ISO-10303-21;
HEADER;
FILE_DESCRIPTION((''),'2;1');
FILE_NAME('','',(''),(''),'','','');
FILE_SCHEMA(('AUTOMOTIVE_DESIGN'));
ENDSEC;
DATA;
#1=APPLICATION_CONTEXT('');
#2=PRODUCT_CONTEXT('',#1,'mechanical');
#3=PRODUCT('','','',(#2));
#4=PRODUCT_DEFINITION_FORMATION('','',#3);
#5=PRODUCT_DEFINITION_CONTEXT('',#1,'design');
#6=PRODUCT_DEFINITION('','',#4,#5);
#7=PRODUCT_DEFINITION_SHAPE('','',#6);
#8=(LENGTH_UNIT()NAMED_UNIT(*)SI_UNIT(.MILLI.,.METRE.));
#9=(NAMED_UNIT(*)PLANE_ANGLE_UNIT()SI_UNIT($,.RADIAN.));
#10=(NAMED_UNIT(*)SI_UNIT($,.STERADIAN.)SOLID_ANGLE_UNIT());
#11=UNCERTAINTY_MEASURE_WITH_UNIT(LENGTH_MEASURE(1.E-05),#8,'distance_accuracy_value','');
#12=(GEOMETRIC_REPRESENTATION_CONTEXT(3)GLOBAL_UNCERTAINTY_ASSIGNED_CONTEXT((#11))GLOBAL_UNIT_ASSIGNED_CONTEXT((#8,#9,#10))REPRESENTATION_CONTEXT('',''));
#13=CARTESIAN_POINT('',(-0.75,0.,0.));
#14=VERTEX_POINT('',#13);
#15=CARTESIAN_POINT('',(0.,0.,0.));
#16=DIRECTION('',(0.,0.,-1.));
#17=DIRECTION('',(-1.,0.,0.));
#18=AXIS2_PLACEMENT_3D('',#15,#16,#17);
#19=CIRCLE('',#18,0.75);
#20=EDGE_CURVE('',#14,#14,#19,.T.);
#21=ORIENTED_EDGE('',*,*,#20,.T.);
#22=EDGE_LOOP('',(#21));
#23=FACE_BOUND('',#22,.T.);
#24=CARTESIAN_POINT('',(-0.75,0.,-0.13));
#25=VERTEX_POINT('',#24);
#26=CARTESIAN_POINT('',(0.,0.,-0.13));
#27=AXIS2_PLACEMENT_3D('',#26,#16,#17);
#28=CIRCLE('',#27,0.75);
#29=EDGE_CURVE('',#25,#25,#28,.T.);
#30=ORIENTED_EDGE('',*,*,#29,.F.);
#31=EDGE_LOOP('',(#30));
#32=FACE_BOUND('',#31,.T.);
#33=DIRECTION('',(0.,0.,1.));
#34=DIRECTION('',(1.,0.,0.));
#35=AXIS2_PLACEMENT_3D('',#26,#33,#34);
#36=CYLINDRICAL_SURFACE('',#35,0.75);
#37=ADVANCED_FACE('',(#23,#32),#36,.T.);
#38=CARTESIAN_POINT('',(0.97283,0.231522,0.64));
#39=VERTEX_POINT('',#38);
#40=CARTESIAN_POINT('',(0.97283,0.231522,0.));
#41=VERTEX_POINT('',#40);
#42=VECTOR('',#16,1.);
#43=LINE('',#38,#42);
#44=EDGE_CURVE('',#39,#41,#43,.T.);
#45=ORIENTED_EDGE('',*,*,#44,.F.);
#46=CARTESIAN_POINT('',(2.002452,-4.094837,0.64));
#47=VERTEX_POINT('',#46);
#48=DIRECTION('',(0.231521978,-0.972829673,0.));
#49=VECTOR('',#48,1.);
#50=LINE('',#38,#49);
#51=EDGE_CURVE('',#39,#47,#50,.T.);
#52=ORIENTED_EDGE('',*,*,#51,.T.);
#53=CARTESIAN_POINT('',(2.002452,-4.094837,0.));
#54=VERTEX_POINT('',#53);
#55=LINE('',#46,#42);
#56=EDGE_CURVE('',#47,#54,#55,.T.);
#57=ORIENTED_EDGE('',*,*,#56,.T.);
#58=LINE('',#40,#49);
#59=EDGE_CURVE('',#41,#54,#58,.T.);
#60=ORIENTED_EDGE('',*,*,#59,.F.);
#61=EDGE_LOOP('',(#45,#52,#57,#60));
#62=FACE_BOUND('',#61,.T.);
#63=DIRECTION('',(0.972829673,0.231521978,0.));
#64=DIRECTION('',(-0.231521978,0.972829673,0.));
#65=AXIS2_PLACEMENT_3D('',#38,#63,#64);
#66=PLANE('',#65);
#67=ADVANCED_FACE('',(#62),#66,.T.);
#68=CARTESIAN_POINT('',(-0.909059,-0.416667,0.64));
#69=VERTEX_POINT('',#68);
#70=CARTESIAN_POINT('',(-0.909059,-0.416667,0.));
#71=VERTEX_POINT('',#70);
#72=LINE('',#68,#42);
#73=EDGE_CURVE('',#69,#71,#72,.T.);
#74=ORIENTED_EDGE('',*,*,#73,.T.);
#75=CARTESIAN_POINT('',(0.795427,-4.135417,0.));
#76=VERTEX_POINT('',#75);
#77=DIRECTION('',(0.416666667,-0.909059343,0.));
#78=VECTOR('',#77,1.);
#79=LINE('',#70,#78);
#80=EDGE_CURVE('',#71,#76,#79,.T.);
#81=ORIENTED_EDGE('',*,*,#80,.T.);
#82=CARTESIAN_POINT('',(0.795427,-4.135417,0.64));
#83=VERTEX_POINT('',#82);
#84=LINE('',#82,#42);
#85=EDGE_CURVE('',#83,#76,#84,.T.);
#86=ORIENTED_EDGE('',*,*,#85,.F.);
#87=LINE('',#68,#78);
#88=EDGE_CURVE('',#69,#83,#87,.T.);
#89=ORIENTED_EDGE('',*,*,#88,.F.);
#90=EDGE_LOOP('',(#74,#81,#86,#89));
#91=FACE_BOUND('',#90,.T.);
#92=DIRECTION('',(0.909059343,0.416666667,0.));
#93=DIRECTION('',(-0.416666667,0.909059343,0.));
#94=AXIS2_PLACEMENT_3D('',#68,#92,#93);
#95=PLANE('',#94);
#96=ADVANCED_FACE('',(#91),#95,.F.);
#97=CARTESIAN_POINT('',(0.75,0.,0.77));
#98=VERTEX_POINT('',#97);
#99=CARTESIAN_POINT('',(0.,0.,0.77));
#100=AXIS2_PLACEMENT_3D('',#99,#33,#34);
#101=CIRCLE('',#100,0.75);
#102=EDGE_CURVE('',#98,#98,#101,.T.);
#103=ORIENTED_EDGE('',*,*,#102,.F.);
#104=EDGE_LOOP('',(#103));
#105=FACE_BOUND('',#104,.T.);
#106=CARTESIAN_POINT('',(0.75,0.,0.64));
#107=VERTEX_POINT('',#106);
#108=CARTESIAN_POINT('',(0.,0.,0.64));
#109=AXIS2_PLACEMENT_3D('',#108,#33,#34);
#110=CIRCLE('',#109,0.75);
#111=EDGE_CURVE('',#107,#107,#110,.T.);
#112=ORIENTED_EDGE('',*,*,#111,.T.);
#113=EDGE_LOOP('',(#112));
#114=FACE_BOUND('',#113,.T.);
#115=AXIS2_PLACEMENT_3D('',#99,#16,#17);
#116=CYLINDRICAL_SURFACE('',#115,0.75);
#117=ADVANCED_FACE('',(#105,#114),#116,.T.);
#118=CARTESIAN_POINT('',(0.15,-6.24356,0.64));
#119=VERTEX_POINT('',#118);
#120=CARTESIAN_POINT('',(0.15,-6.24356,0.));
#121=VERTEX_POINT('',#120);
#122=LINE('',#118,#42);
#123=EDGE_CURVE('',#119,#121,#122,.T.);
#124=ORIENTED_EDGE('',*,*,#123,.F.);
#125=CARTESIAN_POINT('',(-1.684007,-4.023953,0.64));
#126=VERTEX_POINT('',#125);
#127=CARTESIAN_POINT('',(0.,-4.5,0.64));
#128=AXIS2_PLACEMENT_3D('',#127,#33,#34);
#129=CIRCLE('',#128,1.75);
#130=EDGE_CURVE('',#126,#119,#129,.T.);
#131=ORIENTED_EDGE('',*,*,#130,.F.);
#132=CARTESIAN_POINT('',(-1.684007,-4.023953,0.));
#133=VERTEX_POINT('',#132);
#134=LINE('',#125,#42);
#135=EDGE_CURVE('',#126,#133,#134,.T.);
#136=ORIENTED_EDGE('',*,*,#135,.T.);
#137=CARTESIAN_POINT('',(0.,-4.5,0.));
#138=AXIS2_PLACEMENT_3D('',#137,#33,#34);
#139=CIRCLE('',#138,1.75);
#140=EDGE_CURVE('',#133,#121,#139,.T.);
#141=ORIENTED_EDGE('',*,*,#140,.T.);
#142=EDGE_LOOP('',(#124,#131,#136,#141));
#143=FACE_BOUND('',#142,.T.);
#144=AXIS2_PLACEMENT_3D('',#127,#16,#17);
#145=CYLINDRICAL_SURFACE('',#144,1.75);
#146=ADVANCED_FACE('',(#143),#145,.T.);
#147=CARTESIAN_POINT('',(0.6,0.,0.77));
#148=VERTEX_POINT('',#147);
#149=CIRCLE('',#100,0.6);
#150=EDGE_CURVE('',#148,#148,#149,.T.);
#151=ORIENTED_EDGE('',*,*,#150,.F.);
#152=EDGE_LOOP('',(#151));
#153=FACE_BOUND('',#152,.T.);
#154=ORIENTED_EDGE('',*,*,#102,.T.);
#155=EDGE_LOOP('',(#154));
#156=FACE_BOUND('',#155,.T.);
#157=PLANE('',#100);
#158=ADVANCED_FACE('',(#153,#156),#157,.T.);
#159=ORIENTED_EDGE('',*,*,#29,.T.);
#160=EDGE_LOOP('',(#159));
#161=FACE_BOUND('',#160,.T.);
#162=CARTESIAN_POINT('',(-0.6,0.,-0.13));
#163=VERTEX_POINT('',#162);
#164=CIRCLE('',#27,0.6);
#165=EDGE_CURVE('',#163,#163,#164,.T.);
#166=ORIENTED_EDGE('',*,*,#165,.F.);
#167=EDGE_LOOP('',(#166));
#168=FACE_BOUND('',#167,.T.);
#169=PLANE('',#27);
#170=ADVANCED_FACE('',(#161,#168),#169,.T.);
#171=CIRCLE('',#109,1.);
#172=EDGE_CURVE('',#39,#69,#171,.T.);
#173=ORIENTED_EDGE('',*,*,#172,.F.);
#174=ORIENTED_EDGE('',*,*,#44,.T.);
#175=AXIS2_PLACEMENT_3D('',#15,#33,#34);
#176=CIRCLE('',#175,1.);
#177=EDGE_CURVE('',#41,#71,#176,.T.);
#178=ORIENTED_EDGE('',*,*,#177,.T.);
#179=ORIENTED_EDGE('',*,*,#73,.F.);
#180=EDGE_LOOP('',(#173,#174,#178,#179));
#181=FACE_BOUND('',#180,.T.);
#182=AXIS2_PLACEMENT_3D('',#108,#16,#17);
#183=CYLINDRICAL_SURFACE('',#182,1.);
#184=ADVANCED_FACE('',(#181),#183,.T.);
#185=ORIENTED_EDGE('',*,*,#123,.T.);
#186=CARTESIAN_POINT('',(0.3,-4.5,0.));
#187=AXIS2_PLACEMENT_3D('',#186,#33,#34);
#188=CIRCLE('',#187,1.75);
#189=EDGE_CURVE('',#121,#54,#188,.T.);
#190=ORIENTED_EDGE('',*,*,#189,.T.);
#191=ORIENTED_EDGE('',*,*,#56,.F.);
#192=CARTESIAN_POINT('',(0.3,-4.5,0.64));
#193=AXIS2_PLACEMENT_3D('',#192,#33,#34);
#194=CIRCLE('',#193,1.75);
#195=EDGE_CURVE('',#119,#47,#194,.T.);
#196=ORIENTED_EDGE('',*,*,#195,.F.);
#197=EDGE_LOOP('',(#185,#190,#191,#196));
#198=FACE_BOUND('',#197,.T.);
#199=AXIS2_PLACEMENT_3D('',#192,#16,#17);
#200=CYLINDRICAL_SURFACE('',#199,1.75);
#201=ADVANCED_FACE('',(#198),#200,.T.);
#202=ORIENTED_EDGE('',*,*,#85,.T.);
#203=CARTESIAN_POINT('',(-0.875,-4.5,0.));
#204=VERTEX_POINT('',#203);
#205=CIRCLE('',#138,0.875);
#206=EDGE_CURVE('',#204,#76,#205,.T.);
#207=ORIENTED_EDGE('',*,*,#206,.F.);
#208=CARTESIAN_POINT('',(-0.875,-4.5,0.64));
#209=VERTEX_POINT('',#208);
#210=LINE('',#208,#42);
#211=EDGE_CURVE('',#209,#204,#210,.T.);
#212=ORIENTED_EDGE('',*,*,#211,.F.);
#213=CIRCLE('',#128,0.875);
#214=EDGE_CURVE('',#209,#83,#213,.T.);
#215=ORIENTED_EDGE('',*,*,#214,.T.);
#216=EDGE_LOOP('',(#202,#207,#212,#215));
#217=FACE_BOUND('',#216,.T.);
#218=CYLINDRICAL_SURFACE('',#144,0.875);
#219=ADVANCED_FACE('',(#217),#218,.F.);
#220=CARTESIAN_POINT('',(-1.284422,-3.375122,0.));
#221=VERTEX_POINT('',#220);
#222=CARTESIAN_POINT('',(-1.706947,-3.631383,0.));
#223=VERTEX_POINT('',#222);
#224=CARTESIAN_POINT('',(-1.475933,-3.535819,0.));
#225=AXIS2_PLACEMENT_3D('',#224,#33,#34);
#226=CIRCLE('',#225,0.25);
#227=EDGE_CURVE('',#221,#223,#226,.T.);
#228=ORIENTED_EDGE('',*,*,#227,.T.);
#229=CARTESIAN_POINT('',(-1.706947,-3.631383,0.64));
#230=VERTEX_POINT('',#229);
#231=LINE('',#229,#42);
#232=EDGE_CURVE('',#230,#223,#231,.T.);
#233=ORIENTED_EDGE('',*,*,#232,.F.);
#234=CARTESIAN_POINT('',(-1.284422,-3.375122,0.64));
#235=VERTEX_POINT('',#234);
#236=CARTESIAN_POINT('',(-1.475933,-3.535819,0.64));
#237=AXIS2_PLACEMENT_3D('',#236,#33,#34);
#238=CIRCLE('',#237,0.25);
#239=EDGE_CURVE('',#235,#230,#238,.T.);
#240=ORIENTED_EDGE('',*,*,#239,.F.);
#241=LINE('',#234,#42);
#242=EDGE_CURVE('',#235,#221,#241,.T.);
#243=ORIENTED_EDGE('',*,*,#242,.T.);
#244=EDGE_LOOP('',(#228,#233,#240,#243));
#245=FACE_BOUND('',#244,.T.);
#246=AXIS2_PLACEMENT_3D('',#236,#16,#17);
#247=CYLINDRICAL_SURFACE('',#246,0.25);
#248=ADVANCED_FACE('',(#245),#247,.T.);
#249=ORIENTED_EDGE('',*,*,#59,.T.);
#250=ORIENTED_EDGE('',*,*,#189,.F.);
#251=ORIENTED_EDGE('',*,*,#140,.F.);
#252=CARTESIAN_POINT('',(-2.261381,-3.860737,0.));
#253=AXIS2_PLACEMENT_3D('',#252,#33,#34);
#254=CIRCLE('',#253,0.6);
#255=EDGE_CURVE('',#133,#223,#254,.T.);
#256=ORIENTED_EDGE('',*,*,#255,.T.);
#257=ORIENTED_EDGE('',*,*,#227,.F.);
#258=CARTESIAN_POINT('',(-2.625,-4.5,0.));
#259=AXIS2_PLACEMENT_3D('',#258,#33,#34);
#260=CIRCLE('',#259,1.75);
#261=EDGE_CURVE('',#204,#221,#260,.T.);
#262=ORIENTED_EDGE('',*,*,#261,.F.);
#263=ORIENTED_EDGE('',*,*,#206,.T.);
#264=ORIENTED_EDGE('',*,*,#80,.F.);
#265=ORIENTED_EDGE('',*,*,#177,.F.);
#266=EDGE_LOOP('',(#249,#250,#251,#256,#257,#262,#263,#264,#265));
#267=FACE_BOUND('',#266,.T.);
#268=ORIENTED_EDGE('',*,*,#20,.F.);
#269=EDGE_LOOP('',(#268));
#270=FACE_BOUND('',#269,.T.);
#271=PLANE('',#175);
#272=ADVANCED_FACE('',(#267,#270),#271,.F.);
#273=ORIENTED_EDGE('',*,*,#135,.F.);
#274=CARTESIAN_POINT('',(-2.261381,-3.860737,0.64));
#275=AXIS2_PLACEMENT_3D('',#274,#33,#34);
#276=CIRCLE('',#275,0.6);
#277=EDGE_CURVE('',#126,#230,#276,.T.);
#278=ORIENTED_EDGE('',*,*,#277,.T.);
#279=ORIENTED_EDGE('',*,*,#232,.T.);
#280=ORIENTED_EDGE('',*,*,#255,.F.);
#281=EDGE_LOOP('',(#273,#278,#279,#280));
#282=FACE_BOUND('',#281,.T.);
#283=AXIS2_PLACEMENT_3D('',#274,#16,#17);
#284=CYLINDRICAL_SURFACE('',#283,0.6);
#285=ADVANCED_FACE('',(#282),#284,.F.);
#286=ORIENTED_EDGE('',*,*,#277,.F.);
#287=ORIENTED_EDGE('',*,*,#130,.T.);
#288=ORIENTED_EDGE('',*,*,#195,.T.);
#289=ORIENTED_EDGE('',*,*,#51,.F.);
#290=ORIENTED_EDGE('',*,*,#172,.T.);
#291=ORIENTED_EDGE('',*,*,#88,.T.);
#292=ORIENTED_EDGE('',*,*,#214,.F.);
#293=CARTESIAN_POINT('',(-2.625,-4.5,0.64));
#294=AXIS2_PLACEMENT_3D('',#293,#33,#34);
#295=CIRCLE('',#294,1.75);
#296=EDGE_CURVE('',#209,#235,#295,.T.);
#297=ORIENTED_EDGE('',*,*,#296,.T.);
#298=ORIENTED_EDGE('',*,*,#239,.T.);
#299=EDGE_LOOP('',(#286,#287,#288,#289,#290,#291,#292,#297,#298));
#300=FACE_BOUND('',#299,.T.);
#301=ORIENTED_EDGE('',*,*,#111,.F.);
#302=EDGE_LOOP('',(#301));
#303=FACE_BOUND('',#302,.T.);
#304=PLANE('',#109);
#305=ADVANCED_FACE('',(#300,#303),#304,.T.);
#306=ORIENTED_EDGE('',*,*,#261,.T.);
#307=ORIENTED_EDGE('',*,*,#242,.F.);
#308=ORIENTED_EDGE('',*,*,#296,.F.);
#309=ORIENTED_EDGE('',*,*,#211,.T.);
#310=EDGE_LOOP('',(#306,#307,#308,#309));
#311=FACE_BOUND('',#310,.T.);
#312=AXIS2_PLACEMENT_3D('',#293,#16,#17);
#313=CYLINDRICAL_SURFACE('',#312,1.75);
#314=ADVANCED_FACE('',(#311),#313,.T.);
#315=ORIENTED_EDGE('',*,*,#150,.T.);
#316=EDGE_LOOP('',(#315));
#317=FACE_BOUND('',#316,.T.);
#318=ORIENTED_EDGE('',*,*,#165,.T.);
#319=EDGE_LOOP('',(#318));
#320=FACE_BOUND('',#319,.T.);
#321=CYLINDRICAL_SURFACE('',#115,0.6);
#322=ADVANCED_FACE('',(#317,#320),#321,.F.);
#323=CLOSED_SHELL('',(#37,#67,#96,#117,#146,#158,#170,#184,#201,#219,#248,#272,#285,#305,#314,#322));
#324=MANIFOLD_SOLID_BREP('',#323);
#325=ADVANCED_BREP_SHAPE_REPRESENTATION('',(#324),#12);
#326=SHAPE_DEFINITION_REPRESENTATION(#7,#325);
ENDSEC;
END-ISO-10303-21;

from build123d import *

# Parameters (mm, degrees)
SALIENTE_EXTRUIR1_DEPTH = 0.64
CROQUIS4_R              = 0.75
CROQUIS4_R_2            = 0.6
SALIENTE_EXTRUIR2_DEPTH = 0.13
SALIENTE_EXTRUIR3_START = 0.13
CROQUIS5_R              = 0.75
CROQUIS5_R_2            = 0.6
SALIENTE_EXTRUIR3_DEPTH = 0.13
CORTAR_EXTRUIR1_START   = -0.64
CROQUIS6_R              = 0.6
CORTAR_EXTRUIR1_DEPTH   = 0.64


with BuildPart() as part:
    # Croquis2 → Saliente-Extruir1 (new body)
    with BuildSketch(Plane.XY):
        with BuildLine():
            Line((0.972829673, 0.231521978), (2.002451929, -4.094836538))
            ThreePointArc((2.002451929, -4.094836538), (1.62543556, -5.642681311), (0.15, -6.243559577))
            ThreePointArc((0.15, -6.243559577), (-1.349057934, -5.614693989), (-1.684007007, -4.023953364))
            ThreePointArc((-1.684007007, -4.023953364), (-1.662402657, -3.825735404), (-1.706947307, -3.631382935))
            ThreePointArc((-1.706947307, -3.631382935), (-1.605577372, -3.322060723), (-1.284422225, -3.375121683))
            ThreePointArc((-1.284422225, -3.375121683), (-0.980537914, -3.901464749), (-0.875, -4.5))
            ThreePointArc((-0.875, -4.5), (0.186583012, -5.354875301), (0.795426925, -4.135416667))
            Line((0.795426925, -4.135416667), (-0.909059343, -0.416666667))
            ThreePointArc((-0.909059343, -0.416666667), (-0.325659014, 0.945487285), (0.972829673, 0.231521978))
        make_face()
    extrude(amount=SALIENTE_EXTRUIR1_DEPTH)

    # Croquis4 → Saliente-Extruir2 (add)
    with BuildSketch(Plane.XY.offset(0.64)):
        Circle(CROQUIS4_R)
        Circle(CROQUIS4_R_2, mode=Mode.SUBTRACT)
    extrude(amount=SALIENTE_EXTRUIR2_DEPTH)

    # Croquis5 → Saliente-Extruir3 (add)
    with BuildSketch(Plane(origin=(0, 0, 0), x_dir=(-1, 0, 0), z_dir=(0, 0, -1)).offset(SALIENTE_EXTRUIR3_START)):
        with Locations(Location((0, 0, 0), (0, 0, 180))):
            Circle(CROQUIS5_R)
        with Locations(Location((0, 0, 0), (0, 0, 180))):
            Circle(CROQUIS5_R_2, mode=Mode.SUBTRACT)
    extrude(amount=-SALIENTE_EXTRUIR3_DEPTH)

    # Croquis6 → Cortar-Extruir1 (cut)
    with BuildSketch(Plane.XY.offset(0.64).offset(CORTAR_EXTRUIR1_START)):
        with Locations(Location((0, 0, 0), (0, 0, 180))):
            Circle(CROQUIS6_R)
    extrude(amount=CORTAR_EXTRUIR1_DEPTH, mode=Mode.SUBTRACT)


solid = part.part
